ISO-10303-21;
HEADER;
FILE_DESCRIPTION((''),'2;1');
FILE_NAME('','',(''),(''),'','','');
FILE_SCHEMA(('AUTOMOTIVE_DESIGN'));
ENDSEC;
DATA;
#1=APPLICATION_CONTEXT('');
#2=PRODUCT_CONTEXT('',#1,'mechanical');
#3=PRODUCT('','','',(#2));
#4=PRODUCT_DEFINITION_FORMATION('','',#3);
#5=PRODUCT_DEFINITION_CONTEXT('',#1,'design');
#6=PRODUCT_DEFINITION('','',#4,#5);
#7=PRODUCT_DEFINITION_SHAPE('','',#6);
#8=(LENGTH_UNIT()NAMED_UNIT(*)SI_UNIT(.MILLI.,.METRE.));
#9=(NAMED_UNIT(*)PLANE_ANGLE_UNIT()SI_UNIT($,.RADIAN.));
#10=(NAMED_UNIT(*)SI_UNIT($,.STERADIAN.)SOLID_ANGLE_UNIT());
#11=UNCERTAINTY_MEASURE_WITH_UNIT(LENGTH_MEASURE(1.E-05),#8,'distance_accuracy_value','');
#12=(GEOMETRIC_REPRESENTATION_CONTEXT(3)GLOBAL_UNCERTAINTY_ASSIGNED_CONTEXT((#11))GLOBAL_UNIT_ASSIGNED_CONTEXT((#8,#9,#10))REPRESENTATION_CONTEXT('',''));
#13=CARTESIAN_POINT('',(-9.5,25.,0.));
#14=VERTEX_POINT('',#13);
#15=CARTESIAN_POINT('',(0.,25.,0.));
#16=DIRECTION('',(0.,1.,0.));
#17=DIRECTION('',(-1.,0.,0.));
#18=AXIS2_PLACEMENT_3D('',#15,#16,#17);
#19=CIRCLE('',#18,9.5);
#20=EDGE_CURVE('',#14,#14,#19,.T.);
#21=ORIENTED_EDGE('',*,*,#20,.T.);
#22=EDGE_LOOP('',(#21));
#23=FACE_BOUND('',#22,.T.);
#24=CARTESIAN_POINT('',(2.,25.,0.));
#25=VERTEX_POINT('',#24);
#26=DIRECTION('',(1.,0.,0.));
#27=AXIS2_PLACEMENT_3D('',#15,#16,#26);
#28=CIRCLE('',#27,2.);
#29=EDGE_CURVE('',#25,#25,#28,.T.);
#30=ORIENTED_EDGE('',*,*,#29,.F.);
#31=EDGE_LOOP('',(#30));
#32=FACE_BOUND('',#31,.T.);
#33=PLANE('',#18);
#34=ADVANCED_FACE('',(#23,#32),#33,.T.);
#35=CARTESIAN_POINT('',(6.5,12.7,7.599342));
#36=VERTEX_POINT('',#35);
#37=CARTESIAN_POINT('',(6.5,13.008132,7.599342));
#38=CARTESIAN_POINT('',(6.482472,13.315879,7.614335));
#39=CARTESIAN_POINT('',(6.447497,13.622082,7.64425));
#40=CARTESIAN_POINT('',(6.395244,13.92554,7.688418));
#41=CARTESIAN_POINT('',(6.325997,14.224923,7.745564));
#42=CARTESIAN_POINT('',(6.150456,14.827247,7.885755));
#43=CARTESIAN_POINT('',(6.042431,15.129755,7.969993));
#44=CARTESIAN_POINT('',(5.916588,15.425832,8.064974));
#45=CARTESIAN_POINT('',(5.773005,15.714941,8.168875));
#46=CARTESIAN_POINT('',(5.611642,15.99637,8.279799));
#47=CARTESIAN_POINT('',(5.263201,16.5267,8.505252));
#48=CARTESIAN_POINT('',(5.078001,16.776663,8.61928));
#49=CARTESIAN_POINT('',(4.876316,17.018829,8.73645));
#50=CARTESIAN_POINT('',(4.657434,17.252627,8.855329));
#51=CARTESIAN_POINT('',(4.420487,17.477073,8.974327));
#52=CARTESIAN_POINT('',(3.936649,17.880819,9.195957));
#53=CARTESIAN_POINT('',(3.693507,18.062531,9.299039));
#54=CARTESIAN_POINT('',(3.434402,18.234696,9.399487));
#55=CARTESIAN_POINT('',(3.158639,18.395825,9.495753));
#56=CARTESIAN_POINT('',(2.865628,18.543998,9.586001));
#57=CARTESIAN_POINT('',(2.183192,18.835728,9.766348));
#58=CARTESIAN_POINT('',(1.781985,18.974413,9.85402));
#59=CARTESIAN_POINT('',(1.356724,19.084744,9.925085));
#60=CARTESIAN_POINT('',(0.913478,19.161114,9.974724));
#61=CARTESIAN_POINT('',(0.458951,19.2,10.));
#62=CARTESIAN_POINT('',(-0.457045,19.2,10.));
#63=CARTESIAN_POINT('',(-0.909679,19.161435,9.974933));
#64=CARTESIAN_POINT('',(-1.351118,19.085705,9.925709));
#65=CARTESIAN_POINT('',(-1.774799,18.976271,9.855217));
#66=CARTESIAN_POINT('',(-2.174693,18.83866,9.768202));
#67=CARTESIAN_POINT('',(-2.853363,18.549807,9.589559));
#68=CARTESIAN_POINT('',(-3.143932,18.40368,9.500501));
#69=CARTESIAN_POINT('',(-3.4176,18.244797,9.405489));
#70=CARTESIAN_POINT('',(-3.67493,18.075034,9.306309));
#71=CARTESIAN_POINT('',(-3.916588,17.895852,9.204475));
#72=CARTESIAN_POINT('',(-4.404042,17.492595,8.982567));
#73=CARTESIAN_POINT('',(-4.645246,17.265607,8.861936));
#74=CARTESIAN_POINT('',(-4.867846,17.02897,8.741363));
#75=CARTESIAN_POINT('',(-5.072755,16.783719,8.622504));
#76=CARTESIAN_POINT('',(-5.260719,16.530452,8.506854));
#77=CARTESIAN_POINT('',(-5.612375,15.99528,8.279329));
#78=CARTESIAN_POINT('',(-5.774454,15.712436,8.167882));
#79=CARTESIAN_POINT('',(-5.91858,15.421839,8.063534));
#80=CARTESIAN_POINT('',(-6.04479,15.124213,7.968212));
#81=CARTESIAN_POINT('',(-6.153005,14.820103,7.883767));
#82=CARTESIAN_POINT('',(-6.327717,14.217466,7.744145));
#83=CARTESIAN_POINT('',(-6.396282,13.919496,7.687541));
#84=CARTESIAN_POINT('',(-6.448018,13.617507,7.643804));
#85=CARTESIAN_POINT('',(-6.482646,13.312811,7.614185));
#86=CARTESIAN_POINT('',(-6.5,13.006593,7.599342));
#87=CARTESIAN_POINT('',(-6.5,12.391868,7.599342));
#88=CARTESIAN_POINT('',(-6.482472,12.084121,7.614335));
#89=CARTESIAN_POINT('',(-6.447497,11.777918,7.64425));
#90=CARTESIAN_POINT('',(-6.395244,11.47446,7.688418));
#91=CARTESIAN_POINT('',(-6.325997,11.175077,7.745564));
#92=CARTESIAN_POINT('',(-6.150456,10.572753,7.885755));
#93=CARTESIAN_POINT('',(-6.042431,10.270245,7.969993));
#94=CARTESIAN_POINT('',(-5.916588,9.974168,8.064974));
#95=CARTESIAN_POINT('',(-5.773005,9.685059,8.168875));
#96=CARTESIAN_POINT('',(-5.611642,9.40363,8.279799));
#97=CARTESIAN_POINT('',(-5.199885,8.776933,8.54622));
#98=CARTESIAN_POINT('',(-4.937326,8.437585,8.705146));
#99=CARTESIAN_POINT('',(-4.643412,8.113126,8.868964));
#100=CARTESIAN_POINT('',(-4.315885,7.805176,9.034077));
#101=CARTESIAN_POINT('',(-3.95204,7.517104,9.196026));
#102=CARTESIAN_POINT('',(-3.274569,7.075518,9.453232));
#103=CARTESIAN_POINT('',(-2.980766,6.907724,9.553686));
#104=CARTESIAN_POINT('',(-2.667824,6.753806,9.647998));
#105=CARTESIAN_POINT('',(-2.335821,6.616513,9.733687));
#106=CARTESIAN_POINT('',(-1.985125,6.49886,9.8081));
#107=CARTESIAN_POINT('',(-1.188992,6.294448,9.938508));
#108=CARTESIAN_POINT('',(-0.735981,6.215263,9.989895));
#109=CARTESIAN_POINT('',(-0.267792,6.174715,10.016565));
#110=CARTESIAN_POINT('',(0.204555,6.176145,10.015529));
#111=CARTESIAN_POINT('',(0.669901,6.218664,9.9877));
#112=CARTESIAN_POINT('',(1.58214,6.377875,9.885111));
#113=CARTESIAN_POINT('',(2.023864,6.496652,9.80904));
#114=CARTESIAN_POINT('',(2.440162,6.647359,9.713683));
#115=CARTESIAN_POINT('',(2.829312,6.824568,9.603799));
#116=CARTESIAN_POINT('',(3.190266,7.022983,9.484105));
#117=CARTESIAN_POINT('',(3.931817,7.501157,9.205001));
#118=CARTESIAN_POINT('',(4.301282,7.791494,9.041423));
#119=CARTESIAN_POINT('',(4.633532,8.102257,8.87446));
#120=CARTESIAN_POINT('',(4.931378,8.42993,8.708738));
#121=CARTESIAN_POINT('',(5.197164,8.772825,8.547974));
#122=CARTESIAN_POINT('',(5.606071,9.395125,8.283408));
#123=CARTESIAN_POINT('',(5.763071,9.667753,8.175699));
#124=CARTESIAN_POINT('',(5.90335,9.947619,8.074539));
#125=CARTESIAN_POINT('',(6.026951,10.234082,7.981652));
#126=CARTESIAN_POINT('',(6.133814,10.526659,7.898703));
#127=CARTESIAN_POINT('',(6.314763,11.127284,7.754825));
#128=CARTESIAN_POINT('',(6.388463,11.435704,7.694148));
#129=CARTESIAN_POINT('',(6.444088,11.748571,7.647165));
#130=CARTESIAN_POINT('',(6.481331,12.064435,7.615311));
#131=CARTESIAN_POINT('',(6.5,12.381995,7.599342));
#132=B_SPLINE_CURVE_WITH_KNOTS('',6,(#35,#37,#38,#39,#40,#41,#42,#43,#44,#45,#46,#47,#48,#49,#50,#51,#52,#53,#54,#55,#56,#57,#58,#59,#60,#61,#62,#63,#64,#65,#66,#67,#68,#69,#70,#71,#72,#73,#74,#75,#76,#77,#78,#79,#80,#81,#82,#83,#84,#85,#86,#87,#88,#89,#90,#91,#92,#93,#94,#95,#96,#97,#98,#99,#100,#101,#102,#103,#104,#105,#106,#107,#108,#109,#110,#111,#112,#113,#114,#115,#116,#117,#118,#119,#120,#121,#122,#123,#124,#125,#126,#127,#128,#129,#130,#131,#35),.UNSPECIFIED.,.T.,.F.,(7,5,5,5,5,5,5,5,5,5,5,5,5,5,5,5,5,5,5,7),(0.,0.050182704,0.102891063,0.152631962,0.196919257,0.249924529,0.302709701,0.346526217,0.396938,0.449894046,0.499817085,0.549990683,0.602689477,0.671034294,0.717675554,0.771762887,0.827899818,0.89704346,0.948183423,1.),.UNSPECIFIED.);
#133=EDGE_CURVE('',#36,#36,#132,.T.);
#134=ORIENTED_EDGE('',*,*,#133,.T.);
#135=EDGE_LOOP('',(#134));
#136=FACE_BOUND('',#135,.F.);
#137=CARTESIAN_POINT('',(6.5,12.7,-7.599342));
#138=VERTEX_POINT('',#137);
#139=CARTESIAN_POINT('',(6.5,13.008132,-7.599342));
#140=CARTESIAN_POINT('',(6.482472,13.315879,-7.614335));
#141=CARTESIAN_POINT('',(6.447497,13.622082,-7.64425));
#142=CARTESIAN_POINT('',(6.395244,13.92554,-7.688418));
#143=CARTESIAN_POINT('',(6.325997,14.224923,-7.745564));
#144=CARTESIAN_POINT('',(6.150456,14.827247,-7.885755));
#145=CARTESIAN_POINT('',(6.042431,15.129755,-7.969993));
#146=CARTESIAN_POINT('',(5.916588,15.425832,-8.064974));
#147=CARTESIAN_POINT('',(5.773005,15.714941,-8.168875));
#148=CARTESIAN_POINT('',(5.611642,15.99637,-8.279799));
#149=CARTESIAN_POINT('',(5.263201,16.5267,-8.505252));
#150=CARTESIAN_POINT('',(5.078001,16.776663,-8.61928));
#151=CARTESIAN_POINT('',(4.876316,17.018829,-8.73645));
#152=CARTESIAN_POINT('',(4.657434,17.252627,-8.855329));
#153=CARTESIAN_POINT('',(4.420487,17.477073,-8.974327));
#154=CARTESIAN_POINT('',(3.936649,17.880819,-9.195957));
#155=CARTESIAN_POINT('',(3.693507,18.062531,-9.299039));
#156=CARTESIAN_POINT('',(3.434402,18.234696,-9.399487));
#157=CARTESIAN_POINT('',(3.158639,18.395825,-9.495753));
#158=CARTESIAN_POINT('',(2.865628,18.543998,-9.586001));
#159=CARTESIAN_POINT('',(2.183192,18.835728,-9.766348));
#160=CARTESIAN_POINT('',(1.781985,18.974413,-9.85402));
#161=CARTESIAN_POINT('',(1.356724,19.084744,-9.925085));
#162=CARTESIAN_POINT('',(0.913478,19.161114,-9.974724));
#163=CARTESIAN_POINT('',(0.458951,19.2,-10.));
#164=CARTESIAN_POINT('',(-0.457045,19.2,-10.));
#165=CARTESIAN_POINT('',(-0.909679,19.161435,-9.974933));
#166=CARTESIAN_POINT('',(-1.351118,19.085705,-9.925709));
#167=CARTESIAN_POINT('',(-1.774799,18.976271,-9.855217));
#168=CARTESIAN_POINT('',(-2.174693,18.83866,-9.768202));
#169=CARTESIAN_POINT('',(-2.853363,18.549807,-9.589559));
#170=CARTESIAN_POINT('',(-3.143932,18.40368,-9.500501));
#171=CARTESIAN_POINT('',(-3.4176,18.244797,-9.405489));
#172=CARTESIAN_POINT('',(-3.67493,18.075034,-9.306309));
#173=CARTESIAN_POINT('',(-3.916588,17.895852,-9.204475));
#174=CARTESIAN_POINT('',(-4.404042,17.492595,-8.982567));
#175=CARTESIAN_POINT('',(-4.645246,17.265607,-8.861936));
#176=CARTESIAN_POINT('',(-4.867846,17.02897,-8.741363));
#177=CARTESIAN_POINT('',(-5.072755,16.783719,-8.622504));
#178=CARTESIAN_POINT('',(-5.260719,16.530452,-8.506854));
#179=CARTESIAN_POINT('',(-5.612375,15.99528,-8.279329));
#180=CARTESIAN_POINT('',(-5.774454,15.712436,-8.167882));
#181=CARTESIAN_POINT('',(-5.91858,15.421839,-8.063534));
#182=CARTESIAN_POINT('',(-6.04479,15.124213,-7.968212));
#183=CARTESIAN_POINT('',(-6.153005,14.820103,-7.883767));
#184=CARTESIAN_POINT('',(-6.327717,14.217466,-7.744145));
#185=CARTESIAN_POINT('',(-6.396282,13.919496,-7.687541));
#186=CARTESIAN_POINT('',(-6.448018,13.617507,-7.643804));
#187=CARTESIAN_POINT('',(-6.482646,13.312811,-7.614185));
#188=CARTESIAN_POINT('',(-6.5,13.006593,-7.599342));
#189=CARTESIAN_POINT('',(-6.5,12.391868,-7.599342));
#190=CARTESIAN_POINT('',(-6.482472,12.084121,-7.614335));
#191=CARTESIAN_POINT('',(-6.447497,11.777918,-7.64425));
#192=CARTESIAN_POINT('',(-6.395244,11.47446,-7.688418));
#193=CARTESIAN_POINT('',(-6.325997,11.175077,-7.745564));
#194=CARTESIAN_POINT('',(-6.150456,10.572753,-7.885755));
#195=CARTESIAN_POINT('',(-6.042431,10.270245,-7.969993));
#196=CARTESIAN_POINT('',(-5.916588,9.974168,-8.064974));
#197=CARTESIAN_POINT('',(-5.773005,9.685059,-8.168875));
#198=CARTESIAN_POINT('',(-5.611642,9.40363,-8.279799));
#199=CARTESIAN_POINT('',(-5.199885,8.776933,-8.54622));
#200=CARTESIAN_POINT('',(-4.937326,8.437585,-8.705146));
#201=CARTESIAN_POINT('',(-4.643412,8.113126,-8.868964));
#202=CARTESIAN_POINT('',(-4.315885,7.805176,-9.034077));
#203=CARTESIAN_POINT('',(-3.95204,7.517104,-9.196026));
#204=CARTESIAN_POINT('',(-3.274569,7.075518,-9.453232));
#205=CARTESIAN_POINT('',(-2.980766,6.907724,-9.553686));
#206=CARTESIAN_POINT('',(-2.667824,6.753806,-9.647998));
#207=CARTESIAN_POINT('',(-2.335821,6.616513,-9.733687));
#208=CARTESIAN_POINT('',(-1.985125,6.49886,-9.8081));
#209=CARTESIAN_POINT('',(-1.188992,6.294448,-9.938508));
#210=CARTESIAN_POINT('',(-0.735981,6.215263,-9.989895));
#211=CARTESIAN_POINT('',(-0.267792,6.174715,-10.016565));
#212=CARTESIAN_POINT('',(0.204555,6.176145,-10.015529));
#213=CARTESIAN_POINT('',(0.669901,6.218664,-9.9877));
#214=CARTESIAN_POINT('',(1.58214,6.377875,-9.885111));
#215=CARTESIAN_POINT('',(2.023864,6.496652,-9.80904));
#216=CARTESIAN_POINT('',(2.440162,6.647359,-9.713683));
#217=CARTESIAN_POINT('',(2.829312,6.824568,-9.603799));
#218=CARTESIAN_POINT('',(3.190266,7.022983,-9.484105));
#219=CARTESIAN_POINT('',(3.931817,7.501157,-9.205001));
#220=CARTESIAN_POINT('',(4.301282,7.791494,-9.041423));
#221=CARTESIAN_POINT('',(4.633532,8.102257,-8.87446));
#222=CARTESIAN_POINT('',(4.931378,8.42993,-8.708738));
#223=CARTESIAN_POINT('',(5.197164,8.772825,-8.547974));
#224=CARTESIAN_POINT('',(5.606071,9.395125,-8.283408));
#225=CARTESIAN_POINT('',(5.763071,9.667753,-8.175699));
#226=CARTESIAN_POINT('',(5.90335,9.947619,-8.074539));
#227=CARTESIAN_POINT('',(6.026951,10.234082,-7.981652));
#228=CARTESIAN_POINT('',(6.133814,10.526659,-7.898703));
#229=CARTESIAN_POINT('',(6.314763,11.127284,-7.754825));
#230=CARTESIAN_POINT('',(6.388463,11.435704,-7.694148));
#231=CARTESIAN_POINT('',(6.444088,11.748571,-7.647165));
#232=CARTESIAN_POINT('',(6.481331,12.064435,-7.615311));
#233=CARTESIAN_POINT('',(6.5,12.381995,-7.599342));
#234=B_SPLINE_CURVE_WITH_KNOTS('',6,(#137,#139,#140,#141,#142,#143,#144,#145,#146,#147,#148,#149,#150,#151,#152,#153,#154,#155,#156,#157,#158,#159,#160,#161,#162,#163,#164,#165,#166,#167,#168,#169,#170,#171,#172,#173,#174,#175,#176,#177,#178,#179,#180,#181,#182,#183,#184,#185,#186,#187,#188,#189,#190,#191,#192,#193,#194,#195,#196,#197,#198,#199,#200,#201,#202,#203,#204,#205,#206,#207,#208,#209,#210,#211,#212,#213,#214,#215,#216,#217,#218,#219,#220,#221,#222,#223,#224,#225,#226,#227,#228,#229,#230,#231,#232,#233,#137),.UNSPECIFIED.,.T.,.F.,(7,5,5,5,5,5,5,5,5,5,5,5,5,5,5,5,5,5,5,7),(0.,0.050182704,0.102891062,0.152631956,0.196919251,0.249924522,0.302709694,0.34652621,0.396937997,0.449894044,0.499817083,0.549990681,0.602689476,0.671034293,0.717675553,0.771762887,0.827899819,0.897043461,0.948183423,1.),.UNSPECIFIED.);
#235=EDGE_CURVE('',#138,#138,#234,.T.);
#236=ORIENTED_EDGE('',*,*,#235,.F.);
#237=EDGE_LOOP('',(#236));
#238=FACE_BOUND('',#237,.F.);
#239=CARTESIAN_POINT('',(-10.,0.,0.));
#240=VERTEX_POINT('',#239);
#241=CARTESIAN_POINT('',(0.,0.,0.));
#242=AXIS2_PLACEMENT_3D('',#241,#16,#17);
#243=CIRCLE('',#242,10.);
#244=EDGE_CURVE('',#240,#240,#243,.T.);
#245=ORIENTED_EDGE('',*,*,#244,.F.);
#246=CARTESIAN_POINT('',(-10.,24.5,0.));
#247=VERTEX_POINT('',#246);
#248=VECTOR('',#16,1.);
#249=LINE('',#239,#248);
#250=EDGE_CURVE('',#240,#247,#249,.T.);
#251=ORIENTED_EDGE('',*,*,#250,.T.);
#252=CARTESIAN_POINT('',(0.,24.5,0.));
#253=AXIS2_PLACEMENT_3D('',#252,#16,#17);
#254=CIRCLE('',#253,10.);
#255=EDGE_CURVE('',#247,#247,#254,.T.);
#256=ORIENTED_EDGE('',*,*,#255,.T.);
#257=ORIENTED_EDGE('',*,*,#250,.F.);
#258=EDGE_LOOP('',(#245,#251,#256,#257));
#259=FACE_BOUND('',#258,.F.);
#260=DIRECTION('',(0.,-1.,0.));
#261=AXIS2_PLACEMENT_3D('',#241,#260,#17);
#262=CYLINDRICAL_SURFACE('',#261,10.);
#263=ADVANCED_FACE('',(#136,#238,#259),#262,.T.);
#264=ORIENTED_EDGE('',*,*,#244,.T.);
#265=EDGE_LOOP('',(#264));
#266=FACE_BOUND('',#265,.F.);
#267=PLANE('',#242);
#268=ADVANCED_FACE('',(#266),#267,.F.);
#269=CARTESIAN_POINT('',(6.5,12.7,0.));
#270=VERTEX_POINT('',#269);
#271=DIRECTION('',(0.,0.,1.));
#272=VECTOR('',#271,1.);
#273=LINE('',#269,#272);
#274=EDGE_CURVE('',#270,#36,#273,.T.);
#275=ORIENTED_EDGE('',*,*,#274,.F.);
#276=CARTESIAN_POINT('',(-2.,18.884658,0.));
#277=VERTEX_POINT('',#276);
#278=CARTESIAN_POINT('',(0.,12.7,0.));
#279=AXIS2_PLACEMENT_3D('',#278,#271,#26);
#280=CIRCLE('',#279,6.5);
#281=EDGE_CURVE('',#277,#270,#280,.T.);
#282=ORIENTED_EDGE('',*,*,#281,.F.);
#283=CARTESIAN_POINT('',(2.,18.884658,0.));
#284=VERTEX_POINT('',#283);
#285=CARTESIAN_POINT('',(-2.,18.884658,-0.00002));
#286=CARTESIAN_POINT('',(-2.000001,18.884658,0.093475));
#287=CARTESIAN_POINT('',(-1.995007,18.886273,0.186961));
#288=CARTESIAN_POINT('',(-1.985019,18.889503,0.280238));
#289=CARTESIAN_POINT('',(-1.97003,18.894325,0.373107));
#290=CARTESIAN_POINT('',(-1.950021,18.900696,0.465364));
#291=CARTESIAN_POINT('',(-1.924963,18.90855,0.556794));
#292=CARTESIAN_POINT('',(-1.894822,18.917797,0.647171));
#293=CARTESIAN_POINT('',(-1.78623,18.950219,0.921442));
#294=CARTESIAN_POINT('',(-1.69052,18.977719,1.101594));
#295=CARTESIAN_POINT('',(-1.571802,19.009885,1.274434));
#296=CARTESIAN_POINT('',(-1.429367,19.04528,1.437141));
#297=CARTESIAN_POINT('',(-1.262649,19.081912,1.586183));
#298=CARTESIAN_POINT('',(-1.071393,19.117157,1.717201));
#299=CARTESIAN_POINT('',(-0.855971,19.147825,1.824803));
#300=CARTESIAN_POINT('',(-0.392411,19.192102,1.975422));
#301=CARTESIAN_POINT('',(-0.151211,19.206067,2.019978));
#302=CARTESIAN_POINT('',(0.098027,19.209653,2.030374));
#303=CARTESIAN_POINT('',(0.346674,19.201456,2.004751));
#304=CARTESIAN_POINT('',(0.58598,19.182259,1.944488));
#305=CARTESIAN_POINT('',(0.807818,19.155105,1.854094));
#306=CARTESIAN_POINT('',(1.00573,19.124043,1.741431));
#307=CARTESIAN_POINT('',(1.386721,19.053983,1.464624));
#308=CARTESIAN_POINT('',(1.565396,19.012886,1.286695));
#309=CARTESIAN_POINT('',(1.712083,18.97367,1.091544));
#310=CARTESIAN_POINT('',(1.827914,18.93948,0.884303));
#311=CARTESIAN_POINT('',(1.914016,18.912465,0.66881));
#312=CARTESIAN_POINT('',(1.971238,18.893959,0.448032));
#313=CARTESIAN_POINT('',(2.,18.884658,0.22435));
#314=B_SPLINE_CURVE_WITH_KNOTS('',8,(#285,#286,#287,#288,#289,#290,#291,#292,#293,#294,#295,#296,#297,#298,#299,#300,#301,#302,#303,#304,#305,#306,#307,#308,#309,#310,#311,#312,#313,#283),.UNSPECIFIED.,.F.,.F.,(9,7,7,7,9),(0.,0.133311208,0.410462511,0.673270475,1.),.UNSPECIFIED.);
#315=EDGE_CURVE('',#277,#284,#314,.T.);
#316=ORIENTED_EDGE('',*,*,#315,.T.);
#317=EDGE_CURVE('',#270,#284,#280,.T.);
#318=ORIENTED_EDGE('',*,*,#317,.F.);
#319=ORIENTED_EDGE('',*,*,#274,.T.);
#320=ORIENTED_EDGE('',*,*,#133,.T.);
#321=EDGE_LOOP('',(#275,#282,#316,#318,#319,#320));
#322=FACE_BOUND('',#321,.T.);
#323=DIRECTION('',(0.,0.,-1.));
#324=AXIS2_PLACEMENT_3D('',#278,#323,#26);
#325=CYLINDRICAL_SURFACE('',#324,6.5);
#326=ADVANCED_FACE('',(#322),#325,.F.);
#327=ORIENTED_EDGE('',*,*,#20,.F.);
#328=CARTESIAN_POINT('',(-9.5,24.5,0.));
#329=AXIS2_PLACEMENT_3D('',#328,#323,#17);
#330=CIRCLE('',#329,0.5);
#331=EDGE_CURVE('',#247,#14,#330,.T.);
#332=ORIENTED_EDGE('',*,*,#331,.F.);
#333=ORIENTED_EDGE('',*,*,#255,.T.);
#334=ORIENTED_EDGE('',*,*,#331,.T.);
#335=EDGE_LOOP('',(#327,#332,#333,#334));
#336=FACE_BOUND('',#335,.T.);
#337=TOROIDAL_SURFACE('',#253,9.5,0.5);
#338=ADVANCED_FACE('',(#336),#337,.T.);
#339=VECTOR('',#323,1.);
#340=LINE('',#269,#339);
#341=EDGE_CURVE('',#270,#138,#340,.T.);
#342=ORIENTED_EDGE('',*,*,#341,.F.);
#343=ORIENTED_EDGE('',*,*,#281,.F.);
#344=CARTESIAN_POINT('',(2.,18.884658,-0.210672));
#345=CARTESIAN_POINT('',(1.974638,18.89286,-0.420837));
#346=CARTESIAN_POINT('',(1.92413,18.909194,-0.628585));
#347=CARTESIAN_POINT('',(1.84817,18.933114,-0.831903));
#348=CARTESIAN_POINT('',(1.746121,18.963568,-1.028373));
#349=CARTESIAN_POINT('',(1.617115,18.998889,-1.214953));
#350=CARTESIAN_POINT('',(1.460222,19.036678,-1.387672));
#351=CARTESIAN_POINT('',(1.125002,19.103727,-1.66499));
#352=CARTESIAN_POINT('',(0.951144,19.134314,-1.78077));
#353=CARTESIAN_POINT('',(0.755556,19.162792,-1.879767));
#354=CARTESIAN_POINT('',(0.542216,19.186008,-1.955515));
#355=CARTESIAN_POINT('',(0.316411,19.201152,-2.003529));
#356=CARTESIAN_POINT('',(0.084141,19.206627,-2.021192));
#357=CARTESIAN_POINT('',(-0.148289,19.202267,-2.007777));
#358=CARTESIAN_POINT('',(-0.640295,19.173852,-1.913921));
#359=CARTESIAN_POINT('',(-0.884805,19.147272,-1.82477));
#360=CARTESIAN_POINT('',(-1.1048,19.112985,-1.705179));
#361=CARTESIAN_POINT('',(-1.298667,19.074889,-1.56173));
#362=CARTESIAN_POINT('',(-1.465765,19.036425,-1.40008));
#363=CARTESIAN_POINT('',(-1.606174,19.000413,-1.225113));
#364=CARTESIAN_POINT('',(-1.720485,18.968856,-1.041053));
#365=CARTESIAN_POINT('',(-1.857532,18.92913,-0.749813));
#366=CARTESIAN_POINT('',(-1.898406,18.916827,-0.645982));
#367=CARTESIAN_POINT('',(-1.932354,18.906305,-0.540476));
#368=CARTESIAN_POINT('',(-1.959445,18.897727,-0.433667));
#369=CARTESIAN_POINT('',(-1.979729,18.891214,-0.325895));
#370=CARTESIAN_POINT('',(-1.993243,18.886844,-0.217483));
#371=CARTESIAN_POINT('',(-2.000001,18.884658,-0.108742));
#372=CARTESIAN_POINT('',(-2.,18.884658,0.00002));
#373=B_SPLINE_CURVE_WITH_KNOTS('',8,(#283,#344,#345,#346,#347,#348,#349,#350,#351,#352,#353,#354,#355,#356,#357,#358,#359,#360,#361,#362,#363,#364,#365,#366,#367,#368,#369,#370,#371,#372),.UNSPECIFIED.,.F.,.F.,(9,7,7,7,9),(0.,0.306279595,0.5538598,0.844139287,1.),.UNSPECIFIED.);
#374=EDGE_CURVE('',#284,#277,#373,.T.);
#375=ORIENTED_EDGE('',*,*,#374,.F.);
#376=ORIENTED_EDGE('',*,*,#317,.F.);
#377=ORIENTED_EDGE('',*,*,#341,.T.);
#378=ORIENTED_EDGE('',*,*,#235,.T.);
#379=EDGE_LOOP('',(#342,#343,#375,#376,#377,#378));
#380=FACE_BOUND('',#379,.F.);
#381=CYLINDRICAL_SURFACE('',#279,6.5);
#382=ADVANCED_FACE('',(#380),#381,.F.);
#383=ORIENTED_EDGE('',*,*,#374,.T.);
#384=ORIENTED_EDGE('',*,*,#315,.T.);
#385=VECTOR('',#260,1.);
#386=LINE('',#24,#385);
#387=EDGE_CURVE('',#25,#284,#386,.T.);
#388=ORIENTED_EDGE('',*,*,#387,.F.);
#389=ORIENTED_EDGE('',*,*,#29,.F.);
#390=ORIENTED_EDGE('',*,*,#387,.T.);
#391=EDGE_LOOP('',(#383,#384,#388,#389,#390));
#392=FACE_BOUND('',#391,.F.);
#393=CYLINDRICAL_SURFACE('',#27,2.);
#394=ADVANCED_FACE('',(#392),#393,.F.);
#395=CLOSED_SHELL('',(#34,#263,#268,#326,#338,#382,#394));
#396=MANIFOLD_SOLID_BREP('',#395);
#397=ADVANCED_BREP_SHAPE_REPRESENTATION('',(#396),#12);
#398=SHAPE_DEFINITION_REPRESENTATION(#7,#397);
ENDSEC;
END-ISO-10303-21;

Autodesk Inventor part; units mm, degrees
ref_plane "YZ Plane" through (0, 0, 0) normal (1, 0, 0) x (0, 1, 0)
ref_plane "XZ Plane" through (0, 0, 0) normal (0, 1, 0) x (-1, 0, 0)
ref_plane "XY Plane" through (0, 0, 0) normal (0, 0, 1) x (1, 0, 0)
sketch "Sketch1" plane through (0, 0, 0) normal (0, 1, 0) x (-1, 0, 0)
  circle A0 centre (0, 0) radius 10
extrude "Extrusion1" add sketch "Sketch1" along normal blind 25
sketch "Sketch2" plane through (0, 0, 0) normal (0, 0, 1) x (1, 0, 0)
  line L0 (0, 0) -> (0, 12.7) construction
  circle A0 centre (0, 12.7) radius 6.5
extrude "Extrusion2" cut sketch "Sketch2" along normal through all both and the other way through all
sketch "Sketch3" plane through (0, 25, 0) normal (0, 1, 0) x (1, 0, 0)
  circle A0 centre (0, 0) radius 2
  dimension "d7" = 4
extrude "Extrusion3" cut sketch "Sketch3" against normal up to surface
fillet "Fillet1" radius 0.5 1 edges at (10, 25, 0)
properties part number "Cursore"
